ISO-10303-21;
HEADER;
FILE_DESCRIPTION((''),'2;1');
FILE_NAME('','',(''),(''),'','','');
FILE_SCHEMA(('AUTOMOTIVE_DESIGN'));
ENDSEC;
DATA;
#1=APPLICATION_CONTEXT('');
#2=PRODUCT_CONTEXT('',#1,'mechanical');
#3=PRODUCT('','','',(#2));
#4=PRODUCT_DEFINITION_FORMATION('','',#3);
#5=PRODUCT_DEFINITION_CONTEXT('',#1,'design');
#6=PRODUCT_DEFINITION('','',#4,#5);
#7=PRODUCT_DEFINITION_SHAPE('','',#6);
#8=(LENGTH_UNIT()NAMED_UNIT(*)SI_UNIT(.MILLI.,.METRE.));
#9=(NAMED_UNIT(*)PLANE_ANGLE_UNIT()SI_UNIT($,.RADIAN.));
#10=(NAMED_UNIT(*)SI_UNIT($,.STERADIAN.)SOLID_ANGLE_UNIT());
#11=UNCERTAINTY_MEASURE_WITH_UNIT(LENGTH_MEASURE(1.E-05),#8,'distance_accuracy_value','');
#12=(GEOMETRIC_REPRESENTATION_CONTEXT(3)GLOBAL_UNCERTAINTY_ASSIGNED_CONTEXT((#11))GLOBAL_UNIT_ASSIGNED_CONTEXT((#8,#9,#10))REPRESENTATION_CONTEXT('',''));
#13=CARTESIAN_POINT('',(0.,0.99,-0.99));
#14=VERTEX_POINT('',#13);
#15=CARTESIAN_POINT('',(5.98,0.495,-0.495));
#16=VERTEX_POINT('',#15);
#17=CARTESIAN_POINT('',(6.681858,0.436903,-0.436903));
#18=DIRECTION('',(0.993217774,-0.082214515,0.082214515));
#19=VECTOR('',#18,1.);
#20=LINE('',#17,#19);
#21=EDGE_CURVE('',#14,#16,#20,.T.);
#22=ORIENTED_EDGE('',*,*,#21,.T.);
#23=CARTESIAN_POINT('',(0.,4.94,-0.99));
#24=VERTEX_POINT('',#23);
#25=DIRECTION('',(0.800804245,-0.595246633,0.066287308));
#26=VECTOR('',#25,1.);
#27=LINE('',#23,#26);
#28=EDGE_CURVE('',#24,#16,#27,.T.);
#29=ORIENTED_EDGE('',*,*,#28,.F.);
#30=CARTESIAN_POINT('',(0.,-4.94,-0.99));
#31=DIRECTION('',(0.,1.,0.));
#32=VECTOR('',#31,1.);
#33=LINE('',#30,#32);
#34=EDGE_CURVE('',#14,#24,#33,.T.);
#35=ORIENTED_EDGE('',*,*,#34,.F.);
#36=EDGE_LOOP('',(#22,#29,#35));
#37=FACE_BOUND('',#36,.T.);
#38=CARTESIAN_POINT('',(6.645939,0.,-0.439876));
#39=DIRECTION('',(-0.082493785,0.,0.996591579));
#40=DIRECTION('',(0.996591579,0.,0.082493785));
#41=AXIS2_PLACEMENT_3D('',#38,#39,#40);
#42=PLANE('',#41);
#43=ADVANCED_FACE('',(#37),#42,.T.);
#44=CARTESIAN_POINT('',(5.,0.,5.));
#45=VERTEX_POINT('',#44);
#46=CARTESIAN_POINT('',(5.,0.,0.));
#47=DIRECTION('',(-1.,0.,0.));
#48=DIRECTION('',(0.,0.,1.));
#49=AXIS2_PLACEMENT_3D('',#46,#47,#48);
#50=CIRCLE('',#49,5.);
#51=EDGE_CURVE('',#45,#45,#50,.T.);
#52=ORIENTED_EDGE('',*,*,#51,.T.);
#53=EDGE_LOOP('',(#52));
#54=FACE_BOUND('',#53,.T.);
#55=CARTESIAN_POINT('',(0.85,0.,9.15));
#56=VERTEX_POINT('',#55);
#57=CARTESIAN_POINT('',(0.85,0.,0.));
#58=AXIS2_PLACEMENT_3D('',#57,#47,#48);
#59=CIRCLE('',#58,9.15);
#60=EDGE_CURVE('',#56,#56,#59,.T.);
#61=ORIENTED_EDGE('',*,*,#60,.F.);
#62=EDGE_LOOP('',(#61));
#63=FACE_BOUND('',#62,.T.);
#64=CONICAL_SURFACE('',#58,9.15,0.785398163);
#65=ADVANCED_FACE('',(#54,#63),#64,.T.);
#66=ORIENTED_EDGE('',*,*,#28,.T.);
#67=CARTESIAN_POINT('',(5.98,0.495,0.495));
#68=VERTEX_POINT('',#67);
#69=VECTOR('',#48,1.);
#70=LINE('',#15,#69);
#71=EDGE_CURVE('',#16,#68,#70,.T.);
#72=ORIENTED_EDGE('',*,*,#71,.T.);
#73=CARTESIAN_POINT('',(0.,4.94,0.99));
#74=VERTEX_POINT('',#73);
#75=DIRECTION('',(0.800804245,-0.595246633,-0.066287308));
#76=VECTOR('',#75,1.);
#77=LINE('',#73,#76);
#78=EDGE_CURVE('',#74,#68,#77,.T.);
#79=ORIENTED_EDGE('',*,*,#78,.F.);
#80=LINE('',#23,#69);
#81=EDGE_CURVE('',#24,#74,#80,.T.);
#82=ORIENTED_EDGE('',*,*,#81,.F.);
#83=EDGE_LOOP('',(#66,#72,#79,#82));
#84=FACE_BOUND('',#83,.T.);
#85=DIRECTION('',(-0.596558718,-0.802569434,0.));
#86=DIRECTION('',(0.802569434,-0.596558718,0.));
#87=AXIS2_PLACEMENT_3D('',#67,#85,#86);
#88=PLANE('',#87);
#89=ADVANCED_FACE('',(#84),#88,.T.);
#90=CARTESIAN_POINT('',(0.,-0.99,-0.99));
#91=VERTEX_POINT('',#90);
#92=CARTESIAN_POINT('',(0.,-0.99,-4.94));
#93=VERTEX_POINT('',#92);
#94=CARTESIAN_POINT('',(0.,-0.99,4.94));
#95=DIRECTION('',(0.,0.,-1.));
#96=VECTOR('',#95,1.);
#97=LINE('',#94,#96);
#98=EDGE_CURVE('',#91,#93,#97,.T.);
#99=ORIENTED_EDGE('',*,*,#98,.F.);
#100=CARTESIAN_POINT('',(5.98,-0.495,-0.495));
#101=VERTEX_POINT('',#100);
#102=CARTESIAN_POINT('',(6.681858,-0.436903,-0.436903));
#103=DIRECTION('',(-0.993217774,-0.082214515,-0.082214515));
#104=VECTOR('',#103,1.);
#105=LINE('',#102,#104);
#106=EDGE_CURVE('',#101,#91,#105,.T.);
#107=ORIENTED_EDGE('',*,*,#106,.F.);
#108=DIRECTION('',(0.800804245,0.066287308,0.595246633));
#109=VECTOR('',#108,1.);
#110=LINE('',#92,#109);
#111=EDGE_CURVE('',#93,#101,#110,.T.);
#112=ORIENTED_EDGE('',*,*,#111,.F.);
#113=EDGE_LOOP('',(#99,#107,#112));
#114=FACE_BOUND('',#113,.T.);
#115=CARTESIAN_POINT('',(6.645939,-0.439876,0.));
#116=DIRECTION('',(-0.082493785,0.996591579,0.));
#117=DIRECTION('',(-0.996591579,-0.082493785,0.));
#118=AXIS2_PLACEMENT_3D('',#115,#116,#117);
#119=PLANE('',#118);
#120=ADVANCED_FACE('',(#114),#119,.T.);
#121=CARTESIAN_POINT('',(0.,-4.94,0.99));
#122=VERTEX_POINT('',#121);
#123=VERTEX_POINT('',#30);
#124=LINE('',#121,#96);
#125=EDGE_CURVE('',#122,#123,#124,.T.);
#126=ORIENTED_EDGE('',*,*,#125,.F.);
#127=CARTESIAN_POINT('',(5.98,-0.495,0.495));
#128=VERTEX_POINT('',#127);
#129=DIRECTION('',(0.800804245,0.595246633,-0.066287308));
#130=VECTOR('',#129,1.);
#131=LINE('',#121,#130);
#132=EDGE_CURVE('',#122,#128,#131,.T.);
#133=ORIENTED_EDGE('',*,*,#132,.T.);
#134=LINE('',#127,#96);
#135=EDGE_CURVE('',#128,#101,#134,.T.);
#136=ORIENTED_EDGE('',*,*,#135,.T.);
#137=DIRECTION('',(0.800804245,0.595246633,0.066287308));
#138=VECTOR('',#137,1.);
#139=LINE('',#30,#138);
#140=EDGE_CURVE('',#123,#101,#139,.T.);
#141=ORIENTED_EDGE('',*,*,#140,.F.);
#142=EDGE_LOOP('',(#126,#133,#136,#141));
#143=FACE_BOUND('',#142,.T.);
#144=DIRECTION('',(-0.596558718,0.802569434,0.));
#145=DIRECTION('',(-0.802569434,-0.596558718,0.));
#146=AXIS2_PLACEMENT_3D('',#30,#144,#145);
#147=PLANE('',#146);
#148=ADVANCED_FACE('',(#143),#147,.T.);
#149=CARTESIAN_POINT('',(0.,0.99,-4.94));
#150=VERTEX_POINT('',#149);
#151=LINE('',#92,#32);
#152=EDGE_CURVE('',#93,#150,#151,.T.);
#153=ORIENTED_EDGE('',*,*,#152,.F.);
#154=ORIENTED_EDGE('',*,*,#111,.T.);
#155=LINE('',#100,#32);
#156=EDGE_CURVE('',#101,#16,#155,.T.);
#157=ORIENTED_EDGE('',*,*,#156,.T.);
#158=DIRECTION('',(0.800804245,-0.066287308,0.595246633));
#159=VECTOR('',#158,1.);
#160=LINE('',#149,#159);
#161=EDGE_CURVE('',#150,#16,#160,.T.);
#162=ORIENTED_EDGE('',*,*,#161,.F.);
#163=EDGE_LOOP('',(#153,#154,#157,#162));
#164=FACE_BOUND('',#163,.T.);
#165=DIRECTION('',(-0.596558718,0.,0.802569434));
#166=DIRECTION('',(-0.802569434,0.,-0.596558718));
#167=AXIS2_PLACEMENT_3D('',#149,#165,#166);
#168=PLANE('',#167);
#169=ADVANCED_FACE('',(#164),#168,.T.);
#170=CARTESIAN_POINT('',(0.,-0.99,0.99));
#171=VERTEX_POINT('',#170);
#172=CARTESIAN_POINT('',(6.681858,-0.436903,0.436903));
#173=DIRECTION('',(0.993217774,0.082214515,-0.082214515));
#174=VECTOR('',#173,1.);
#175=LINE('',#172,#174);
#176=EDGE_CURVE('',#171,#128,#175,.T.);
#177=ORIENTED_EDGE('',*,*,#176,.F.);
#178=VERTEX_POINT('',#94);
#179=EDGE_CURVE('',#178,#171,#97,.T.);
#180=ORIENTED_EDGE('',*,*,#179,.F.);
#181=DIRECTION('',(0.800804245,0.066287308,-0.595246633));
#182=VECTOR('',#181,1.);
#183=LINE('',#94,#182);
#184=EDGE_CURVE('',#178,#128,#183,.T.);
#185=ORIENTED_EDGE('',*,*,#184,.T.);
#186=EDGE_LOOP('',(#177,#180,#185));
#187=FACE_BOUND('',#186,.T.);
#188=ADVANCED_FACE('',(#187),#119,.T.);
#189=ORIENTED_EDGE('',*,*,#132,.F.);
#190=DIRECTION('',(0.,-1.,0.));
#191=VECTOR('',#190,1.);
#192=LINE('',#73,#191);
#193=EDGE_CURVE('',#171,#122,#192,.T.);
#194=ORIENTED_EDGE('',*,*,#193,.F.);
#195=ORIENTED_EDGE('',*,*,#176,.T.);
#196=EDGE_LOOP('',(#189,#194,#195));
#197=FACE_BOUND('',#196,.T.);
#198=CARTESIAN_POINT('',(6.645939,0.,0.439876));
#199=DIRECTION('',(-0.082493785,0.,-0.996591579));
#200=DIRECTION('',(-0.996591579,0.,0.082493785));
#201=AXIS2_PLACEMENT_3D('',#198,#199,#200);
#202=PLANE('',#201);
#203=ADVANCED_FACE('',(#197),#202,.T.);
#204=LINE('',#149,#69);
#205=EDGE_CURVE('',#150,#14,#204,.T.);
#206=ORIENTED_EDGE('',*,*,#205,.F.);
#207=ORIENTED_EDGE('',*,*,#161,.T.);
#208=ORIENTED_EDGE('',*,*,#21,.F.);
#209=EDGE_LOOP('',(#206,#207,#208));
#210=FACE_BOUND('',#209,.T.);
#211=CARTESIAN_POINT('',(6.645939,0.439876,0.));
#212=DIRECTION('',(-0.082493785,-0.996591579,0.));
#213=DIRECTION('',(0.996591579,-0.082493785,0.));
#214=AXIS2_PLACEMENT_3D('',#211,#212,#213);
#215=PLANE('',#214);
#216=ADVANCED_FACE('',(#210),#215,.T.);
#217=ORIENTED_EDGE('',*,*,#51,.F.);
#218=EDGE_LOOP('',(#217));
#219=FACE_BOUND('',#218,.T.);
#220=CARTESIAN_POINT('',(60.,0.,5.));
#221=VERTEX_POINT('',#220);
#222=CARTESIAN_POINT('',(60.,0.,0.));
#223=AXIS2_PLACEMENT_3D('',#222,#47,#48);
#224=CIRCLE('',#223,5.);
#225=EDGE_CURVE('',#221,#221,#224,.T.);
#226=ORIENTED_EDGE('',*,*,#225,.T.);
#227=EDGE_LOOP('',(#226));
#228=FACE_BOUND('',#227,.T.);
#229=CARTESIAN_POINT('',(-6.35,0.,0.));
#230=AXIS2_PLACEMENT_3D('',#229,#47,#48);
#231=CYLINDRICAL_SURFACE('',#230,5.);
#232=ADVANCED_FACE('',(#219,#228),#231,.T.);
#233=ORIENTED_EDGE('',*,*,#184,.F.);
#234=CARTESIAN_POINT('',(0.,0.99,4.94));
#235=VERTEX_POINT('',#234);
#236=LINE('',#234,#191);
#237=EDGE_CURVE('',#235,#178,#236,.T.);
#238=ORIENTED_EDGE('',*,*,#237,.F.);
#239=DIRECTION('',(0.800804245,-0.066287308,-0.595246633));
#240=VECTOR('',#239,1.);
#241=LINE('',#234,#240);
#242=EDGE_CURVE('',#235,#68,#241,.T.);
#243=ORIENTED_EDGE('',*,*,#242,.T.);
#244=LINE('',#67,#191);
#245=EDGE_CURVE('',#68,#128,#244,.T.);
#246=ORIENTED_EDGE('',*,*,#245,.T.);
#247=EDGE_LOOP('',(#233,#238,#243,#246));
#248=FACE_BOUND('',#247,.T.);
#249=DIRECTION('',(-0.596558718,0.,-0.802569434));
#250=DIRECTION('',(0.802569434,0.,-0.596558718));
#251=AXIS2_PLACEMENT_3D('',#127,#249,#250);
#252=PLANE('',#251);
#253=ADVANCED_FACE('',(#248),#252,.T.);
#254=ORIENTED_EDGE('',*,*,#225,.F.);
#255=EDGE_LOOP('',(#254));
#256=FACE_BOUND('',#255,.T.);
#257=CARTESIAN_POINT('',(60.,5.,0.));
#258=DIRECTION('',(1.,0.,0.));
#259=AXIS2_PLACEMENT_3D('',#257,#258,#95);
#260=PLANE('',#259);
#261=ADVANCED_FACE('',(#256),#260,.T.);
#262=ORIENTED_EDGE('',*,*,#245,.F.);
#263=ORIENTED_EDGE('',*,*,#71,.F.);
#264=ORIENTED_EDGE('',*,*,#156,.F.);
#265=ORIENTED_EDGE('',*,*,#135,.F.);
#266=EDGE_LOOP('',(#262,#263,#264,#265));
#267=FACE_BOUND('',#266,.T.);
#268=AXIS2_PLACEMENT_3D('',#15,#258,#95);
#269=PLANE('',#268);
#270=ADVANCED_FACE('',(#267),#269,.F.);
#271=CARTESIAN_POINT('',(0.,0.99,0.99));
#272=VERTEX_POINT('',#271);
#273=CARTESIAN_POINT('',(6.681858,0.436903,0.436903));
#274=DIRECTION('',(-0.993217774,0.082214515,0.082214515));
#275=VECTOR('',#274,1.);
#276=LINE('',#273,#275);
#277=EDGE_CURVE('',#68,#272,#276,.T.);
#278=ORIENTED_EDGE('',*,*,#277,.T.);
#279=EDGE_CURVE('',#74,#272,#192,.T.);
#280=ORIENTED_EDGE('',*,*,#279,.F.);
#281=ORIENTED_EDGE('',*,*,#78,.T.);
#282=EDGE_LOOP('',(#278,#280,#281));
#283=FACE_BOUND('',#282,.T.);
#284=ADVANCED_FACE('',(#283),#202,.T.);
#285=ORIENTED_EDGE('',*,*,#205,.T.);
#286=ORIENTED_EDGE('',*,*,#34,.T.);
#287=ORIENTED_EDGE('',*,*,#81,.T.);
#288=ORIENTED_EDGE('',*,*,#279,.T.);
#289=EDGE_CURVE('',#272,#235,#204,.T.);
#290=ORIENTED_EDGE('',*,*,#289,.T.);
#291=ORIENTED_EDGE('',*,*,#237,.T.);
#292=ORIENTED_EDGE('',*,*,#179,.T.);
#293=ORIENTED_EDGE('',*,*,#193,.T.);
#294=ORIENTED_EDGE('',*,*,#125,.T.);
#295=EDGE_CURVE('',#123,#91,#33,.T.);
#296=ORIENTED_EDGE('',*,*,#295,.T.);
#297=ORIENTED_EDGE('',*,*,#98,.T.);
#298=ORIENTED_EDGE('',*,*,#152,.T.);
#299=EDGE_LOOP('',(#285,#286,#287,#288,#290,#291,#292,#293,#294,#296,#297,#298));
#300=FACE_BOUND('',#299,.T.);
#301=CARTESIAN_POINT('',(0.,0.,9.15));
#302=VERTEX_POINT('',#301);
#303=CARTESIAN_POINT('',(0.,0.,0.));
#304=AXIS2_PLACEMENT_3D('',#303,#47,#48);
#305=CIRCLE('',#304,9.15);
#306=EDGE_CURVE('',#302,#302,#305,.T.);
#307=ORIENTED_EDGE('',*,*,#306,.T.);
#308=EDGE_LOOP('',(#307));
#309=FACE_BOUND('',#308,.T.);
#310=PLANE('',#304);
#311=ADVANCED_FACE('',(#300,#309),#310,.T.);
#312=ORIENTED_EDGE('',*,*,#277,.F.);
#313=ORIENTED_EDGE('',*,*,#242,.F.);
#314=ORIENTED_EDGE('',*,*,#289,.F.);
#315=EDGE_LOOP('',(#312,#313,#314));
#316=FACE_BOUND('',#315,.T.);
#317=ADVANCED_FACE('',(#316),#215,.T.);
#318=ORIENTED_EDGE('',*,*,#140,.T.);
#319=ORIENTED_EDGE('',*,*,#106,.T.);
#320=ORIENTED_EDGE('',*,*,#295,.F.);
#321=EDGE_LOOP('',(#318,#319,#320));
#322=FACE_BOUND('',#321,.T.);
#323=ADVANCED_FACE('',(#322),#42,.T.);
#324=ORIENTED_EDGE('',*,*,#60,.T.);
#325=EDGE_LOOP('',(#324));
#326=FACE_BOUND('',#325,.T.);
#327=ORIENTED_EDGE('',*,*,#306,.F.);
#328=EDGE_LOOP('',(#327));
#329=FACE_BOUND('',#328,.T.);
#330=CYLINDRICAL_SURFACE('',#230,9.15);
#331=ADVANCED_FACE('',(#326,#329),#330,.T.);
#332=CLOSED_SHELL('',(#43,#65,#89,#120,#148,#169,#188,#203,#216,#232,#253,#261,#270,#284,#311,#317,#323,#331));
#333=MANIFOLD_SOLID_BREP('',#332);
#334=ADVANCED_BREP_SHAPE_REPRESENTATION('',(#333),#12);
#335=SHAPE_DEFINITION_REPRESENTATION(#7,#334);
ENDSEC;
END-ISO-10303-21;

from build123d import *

# Parameters (mm, degrees)
CIRPATTERN1_COUNT = 2
CIRPATTERN1_ANGLE = 90


with BuildPart() as part:
    # BodySke → Base-Revolve (revolve)
    with BuildSketch(Plane.XY, mode=Mode.PRIVATE) as base_revolve_sk:
        Polygon((0, 0), (0, 9.15), (0.85, 9.15), (5, 5), (60, 5), (60, 0), align=None)
    revolve(base_revolve_sk.sketch.rotate(Axis((-6.35, 0, 0), (1, 0, 0)), 90), axis=Axis((-6.35, 0, 0), (1, 0, 0)))

    # Sketch3 → Cross section 0
    with BuildSketch(Plane.ZY):
        with BuildLine():
            Line((-0.99, 4.94), (0.99, 4.94))
            Line((0.99, 4.94), (0.99, -4.94))
            Line((0.99, -4.94), (-0.99, -4.94))
            Line((-0.99, -4.94), (-0.99, 4.94))
        make_face()
    # Sketch4 → Cross section 1
    with BuildSketch(Plane.ZY.offset(-5.98)):
        with BuildLine():
            Line((-0.495, 0.495), (0.495, 0.495))
            Line((0.495, 0.495), (0.495, -0.495))
            Line((0.495, -0.495), (-0.495, -0.495))
            Line((-0.495, -0.495), (-0.495, 0.495))
        make_face()
    cross = loft(mode=Mode.SUBTRACT)

    # CirPattern1: Cross ×2 about axis
    cirpattern1_axis = Axis((0, 0, 0), (1, 0, 0))
    for i in range(1, CIRPATTERN1_COUNT):
        add(cross.rotate(cirpattern1_axis, i * CIRPATTERN1_ANGLE / (CIRPATTERN1_COUNT - 1)), mode=Mode.SUBTRACT)


solid = part.part
